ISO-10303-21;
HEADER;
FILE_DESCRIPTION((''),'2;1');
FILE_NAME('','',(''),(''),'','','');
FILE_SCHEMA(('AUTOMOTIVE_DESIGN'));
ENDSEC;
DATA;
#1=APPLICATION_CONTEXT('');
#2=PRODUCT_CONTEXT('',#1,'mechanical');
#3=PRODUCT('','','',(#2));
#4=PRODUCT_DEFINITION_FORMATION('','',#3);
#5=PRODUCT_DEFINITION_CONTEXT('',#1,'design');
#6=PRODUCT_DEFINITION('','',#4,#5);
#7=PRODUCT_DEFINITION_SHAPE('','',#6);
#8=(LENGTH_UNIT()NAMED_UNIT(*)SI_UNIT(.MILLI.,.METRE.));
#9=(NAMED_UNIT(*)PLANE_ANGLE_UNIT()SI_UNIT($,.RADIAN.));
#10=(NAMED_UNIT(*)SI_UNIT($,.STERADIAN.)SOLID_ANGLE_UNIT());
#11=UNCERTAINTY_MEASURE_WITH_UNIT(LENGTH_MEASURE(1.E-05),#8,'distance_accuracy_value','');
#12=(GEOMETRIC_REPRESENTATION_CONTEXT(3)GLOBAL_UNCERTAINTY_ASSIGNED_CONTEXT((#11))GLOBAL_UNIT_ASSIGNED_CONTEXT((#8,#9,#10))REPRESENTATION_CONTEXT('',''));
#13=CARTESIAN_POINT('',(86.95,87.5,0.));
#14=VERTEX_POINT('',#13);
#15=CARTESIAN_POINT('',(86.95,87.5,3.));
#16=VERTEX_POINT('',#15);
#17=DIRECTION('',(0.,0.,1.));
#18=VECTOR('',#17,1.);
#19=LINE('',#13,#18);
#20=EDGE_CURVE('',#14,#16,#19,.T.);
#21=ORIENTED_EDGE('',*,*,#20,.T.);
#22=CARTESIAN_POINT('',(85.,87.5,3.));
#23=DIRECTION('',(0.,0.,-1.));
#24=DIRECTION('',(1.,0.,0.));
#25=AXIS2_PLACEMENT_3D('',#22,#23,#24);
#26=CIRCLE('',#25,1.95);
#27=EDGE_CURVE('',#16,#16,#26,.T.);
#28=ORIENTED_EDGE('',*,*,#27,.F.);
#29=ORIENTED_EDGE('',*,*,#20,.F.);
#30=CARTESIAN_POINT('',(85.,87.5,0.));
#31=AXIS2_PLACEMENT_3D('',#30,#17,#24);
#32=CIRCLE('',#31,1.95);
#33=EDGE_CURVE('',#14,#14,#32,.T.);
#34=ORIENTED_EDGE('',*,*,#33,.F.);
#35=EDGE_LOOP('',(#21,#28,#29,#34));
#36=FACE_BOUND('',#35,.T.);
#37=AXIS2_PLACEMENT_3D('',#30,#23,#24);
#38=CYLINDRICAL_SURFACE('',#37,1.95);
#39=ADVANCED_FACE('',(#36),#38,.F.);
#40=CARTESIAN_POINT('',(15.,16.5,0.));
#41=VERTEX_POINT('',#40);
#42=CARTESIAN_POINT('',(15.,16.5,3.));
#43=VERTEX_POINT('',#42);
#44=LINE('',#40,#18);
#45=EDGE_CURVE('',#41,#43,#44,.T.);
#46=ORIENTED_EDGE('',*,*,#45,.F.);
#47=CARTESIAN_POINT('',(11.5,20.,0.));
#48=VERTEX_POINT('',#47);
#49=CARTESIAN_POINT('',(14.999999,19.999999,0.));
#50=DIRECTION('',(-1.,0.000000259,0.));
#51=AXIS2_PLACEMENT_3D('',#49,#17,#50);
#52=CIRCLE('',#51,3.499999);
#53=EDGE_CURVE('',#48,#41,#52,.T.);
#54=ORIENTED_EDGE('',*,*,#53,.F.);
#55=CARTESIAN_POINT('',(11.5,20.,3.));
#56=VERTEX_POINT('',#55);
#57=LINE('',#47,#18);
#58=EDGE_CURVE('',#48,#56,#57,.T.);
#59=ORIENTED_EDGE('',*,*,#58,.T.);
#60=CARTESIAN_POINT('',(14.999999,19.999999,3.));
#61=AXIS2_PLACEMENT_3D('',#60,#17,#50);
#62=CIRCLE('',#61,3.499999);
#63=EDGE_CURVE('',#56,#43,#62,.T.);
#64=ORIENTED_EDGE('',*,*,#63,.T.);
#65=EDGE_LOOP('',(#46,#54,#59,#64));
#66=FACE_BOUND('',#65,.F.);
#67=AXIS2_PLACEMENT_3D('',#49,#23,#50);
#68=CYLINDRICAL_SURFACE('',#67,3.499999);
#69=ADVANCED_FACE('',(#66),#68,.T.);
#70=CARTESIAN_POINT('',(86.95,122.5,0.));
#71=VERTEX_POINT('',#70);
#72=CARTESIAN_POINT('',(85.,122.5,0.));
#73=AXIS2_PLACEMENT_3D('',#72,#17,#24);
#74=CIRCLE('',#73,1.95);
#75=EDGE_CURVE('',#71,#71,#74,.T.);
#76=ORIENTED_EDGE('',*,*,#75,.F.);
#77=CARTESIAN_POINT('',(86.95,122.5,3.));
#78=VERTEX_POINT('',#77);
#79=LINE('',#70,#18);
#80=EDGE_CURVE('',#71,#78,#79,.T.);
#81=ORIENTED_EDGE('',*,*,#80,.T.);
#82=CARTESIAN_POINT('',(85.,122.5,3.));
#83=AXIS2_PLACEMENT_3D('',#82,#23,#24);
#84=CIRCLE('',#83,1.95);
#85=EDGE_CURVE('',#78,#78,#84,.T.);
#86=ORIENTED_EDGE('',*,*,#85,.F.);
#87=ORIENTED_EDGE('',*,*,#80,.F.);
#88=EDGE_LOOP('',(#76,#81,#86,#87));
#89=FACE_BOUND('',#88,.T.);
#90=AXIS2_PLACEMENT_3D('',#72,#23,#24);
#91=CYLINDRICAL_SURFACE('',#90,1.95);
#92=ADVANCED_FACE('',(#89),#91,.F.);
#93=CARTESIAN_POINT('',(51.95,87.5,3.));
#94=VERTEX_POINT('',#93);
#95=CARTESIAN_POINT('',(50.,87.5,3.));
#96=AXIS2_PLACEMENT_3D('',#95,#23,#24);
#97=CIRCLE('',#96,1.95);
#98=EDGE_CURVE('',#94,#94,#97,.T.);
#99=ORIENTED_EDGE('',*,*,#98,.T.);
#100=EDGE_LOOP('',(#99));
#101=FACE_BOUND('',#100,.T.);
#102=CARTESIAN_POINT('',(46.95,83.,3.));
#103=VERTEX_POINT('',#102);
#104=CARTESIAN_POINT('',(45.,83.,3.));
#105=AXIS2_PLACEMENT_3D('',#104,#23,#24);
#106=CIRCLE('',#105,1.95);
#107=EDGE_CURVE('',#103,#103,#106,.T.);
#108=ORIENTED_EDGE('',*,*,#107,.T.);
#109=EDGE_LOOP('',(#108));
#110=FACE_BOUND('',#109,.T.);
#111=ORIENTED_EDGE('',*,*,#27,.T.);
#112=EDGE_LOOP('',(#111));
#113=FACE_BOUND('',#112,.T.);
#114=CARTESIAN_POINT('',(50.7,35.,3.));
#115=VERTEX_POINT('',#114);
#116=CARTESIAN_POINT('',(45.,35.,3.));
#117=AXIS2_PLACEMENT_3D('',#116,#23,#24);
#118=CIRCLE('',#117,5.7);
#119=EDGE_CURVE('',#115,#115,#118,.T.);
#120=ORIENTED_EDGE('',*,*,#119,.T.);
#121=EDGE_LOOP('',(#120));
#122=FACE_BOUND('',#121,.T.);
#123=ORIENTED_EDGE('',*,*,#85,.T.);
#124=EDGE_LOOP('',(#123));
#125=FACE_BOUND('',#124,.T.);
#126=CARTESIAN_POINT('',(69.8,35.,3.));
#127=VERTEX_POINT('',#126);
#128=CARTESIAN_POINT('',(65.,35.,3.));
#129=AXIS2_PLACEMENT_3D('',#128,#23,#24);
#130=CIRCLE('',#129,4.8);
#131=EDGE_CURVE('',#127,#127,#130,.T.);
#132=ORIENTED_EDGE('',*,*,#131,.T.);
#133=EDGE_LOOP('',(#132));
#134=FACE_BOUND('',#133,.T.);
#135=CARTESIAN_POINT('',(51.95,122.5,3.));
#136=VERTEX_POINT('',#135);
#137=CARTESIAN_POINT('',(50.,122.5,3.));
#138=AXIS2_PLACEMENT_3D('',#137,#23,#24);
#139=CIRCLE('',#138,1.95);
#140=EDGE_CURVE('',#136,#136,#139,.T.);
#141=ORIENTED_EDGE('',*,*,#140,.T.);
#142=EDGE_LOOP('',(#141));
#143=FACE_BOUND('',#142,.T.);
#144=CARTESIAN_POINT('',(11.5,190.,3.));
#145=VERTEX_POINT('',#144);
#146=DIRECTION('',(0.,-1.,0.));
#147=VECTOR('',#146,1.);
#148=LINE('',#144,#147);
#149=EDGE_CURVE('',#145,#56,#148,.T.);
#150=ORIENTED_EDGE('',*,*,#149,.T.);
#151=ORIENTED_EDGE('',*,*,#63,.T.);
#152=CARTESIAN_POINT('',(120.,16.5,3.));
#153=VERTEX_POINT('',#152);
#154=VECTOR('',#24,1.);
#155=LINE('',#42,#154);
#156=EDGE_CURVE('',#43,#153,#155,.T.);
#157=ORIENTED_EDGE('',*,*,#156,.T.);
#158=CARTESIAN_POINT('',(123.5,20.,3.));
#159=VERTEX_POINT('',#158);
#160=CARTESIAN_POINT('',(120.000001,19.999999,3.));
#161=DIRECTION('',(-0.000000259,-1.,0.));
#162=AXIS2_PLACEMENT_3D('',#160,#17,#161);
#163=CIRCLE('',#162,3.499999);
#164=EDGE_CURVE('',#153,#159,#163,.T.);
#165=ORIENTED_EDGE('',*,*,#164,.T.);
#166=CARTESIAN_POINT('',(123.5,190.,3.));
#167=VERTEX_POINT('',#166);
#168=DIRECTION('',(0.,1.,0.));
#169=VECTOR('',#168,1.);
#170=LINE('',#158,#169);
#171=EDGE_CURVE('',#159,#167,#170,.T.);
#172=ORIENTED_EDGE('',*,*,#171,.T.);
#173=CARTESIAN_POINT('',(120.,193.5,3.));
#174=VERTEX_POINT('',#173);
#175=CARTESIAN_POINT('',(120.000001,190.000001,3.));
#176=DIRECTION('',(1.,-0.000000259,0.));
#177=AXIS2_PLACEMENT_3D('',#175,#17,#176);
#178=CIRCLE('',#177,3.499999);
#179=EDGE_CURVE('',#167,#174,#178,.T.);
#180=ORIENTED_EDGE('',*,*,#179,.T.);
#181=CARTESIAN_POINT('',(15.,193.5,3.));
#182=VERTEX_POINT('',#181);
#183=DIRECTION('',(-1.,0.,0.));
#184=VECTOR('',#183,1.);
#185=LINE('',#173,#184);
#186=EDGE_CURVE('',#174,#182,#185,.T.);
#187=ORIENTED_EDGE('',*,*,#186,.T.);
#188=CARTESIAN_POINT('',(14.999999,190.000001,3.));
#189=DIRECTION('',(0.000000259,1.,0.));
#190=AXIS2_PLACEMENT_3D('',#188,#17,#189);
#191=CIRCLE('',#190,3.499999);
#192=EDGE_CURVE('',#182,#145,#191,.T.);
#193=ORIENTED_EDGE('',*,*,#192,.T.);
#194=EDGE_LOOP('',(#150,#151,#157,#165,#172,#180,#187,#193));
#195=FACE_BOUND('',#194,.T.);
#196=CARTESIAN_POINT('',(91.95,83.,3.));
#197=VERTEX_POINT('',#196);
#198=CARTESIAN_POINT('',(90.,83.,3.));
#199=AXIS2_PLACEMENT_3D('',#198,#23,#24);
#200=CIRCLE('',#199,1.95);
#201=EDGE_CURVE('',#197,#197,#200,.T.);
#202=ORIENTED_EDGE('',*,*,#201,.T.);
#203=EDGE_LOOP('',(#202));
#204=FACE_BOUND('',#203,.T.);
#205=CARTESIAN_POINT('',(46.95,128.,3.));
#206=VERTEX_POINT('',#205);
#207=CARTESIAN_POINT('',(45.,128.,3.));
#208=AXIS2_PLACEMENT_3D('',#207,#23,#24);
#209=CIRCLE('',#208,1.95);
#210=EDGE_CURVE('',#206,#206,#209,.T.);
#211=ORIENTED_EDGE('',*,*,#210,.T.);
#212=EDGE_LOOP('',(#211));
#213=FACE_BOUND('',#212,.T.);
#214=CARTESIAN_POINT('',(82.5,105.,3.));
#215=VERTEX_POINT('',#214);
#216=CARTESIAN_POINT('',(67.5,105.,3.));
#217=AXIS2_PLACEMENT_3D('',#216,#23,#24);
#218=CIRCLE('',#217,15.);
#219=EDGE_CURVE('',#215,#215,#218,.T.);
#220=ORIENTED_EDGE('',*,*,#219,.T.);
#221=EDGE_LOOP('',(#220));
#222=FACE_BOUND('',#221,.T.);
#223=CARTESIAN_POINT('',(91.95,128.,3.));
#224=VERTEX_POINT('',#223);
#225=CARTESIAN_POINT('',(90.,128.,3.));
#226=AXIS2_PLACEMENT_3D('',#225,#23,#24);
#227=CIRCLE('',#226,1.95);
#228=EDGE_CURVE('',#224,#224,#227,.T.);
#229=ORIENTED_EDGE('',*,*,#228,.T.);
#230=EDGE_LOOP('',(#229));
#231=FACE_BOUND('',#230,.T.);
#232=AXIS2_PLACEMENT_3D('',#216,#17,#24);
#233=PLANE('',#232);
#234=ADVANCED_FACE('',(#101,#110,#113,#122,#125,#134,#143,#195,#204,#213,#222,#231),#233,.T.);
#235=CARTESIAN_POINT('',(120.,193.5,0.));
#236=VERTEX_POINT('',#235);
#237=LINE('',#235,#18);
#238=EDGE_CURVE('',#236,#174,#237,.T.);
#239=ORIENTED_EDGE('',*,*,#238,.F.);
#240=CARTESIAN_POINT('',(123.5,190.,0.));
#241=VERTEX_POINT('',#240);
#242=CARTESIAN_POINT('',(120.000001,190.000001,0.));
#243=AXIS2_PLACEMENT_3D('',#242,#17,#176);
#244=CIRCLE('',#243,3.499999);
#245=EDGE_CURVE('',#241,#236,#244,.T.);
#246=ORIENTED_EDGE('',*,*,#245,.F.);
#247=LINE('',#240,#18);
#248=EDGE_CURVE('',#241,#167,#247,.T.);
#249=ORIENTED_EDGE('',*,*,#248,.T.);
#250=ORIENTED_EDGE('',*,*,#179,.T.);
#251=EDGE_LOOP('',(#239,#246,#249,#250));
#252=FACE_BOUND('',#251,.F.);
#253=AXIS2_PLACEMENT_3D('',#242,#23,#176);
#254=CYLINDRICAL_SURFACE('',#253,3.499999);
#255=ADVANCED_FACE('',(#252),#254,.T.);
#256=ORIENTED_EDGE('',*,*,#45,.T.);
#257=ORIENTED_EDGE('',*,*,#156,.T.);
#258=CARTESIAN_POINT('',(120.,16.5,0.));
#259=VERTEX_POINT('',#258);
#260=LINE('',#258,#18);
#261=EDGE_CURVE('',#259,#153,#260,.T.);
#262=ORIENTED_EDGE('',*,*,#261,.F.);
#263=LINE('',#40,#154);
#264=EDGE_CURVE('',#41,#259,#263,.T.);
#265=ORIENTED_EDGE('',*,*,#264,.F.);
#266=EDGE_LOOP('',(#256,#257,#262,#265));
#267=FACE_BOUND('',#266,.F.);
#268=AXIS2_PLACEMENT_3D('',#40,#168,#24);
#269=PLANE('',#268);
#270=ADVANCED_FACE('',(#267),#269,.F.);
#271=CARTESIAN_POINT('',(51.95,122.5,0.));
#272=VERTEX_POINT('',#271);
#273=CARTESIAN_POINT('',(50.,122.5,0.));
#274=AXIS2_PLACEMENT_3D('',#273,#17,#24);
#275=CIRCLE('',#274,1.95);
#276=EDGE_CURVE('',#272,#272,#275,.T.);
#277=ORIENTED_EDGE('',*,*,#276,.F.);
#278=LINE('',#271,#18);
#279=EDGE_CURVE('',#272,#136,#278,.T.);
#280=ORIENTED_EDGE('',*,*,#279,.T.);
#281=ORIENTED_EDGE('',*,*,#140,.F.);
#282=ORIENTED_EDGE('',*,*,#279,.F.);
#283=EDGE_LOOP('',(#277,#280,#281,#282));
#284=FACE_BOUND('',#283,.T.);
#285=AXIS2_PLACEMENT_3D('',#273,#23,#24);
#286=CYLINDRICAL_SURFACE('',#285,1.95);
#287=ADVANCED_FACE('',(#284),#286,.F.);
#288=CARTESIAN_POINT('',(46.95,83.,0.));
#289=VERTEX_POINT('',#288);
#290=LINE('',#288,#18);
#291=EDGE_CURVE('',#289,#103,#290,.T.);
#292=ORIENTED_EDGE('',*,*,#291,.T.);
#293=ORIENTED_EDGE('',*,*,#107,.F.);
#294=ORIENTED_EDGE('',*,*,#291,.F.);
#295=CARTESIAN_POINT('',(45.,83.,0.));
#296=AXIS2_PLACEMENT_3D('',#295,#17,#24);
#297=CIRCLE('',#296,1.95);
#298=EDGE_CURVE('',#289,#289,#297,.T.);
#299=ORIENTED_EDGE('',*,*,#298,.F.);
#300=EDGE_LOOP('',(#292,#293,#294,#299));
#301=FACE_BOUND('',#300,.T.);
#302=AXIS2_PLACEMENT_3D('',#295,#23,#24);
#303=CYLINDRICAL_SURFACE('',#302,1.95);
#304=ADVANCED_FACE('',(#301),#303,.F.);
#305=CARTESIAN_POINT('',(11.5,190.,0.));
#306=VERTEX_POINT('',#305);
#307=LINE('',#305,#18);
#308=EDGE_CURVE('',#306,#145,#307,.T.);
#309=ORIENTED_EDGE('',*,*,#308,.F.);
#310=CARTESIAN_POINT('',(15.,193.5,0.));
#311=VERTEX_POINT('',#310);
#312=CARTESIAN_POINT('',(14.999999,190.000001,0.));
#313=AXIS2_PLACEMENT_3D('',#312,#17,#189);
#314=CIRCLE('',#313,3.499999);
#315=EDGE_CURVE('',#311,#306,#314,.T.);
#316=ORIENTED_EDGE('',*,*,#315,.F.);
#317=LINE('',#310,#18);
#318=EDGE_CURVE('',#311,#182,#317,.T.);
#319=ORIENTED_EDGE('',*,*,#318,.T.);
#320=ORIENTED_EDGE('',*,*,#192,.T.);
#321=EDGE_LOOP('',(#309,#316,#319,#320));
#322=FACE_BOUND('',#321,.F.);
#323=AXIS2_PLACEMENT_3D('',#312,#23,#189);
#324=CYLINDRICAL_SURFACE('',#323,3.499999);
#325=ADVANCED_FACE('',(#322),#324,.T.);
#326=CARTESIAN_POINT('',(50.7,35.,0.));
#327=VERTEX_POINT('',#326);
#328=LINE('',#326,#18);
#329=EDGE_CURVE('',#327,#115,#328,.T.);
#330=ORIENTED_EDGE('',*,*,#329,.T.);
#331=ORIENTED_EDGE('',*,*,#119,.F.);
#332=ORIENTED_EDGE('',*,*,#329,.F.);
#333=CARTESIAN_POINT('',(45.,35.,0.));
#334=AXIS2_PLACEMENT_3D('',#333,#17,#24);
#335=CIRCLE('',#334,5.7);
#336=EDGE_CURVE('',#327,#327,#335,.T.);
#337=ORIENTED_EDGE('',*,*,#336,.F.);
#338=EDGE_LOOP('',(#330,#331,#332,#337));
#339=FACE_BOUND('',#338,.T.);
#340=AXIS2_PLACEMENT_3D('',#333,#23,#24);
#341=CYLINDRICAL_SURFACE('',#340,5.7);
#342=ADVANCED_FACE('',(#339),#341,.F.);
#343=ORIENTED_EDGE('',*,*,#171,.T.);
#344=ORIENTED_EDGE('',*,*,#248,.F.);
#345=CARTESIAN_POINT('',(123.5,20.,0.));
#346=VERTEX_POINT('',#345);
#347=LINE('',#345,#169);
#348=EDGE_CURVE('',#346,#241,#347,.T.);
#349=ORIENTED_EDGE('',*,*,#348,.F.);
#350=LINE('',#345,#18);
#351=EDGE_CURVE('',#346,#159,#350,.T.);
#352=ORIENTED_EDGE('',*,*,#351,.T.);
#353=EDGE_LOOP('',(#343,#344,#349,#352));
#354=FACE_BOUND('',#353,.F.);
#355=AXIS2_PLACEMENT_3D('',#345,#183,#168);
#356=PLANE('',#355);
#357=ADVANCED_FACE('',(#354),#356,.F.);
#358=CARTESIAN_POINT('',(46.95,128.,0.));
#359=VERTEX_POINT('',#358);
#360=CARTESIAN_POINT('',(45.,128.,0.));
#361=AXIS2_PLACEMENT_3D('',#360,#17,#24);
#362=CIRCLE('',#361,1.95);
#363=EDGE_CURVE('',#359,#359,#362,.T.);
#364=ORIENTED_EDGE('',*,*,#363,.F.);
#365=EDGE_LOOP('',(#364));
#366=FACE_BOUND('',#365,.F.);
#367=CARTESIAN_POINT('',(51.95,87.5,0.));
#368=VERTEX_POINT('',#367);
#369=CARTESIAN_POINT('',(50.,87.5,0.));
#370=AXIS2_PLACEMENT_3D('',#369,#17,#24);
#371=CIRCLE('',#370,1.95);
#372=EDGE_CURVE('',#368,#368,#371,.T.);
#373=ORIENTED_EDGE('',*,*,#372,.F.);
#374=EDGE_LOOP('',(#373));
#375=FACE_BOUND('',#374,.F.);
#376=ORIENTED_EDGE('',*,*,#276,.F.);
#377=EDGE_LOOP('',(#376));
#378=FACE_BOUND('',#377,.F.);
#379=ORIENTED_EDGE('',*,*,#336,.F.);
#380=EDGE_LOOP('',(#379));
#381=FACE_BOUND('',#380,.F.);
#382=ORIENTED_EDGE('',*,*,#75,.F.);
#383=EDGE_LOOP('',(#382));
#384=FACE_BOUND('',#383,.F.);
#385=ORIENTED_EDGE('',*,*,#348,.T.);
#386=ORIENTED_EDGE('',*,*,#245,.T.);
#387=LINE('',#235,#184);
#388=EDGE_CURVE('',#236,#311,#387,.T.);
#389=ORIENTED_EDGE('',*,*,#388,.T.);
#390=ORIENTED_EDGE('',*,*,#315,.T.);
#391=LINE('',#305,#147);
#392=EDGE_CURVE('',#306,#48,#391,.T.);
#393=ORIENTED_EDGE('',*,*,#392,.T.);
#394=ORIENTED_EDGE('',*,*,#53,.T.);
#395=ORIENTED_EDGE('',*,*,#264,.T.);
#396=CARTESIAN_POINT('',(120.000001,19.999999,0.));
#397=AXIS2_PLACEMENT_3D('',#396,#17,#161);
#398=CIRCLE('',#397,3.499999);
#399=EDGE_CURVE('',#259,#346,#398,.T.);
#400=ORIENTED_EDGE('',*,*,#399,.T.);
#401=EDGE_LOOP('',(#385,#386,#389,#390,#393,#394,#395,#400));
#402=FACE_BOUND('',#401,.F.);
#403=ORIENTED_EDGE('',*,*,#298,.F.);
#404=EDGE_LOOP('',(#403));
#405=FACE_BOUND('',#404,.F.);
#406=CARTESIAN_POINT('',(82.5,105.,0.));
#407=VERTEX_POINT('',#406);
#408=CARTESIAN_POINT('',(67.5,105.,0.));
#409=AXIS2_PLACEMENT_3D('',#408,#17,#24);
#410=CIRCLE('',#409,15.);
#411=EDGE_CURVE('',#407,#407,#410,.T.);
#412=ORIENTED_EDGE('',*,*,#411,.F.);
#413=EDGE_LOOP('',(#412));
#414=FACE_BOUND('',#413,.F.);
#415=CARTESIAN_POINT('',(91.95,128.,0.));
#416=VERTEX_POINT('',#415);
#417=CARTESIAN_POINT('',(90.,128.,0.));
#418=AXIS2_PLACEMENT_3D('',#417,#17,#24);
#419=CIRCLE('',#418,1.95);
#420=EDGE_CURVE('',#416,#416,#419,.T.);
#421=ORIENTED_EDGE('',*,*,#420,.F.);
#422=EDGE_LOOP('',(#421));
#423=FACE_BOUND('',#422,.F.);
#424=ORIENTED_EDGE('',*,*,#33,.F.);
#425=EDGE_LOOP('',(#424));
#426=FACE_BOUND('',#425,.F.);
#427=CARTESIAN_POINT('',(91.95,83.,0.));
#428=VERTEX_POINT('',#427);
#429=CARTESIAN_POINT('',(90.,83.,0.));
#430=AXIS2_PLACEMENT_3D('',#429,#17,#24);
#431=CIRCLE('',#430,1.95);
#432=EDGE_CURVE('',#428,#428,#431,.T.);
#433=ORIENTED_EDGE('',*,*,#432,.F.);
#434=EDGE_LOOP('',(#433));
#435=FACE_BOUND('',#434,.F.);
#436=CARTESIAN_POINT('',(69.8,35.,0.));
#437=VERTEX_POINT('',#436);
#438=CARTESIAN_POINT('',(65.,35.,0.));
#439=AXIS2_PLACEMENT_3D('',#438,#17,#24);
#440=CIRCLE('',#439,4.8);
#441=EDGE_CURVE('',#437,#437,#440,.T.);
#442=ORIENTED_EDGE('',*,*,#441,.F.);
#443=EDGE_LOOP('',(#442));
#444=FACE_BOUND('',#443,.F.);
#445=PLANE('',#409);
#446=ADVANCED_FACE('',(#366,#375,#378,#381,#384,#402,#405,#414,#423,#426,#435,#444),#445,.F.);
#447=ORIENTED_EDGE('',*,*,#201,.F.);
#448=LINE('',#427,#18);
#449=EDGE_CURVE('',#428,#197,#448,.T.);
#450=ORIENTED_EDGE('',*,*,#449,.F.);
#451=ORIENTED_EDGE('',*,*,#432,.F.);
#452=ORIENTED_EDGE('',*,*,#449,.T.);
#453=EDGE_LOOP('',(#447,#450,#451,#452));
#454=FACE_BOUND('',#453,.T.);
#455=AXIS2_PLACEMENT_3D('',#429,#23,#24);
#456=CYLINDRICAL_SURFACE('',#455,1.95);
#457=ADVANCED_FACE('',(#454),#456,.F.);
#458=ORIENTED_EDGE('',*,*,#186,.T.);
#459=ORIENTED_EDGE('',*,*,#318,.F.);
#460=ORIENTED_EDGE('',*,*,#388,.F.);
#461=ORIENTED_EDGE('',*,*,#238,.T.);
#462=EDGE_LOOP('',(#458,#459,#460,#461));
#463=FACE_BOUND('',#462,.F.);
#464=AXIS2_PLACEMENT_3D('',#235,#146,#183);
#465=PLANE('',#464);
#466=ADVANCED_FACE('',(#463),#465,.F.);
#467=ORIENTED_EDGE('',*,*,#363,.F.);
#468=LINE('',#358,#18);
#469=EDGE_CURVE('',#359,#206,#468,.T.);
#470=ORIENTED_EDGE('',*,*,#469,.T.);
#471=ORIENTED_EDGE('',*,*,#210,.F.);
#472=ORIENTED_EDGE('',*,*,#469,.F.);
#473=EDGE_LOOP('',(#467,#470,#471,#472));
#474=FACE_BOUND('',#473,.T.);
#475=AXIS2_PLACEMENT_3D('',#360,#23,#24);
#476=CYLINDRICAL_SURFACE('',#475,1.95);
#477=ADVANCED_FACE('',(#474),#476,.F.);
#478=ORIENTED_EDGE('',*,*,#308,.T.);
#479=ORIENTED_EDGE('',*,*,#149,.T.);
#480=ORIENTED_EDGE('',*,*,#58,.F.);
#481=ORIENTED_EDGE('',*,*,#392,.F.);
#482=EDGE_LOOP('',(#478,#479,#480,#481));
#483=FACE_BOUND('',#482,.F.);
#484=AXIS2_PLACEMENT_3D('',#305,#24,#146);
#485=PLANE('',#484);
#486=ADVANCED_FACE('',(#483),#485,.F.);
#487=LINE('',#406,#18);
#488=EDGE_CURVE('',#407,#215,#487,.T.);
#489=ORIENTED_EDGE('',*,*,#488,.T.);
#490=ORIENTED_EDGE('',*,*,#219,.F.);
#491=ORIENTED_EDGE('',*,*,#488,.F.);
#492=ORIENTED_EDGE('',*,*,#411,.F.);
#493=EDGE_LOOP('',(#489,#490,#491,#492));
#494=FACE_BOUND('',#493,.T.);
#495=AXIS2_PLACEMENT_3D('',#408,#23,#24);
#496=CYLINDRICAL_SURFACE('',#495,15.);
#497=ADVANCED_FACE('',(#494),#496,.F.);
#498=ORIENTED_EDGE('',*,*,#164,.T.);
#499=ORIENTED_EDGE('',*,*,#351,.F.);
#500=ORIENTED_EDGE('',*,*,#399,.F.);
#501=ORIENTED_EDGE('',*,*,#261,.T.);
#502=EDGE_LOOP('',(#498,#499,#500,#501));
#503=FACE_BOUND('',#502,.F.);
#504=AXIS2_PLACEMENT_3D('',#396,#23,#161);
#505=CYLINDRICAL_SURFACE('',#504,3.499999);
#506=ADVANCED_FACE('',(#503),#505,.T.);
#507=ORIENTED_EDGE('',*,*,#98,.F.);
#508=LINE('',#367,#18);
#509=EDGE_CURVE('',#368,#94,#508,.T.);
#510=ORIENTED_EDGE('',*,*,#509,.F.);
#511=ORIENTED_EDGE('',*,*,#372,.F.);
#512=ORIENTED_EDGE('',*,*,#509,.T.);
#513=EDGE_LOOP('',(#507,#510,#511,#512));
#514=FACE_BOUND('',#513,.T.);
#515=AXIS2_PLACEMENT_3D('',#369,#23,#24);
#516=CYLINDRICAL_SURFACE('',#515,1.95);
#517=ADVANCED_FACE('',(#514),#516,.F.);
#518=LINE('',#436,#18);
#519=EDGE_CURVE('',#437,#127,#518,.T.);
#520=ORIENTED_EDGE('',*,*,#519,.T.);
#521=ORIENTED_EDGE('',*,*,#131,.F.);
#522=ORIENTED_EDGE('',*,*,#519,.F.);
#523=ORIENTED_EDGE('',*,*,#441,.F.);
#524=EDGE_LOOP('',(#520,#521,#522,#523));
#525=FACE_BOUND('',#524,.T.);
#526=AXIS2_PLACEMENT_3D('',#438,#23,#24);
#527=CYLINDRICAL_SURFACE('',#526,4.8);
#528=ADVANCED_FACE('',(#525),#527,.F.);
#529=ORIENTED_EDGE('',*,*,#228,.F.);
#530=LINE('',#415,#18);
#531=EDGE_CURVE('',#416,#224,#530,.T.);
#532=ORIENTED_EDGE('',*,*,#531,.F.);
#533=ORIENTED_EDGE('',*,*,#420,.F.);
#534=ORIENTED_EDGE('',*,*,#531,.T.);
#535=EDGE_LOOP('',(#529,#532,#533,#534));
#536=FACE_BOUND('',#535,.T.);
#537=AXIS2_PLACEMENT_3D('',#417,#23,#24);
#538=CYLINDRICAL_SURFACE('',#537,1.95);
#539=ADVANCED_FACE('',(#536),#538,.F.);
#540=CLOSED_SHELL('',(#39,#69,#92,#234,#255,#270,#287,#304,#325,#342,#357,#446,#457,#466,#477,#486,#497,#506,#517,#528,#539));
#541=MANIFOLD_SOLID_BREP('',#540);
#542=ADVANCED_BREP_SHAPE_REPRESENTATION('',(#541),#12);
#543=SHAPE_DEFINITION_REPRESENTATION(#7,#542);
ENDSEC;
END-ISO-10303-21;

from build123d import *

# Parameters (mm, degrees)
PAD_DEPTH     = 3
SKETCH002_R   = 1.95
HOLE_DEPTH    = 3.001
SKETCH_R      = 15
HOLE001_DEPTH = 3.001
SKETCH003_R   = 1.95
HOLE002_DEPTH = 3.001
SKETCH004_R   = 5.7
SKETCH004_R_2 = 4.8
POCKET_DEPTH  = 3.001


with BuildPart() as part:
    # Sketch001 → Pad (new body)
    with BuildSketch(Plane.XY):
        with BuildLine():
            Line((11.5, 190), (11.5, 20))
            ThreePointArc((11.5, 20), (12.525126, 17.525126), (15, 16.5))
            Line((15, 16.5), (120, 16.5))
            ThreePointArc((120, 16.5), (122.474874, 17.525126), (123.5, 20))
            Line((123.5, 20), (123.5, 190))
            ThreePointArc((123.5, 190), (122.474874, 192.474874), (120, 193.5))
            Line((120, 193.5), (15, 193.5))
            ThreePointArc((15, 193.5), (12.525126, 192.474874), (11.5, 190))
        make_face()
    extrude(amount=PAD_DEPTH)

    # Sketch002 → Hole (cut, through all)
    with BuildSketch(Plane.XY):
        with Locations((50, 87.5)):
            Circle(SKETCH002_R)
        with Locations((85, 87.5)):
            Circle(SKETCH002_R)
        with Locations((85, 122.5)):
            Circle(SKETCH002_R)
        with Locations((50, 122.5)):
            Circle(SKETCH002_R)
    extrude(amount=HOLE_DEPTH, mode=Mode.SUBTRACT)

    # Sketch → Hole001 (cut, through all)
    with BuildSketch(Plane.XY):
        with Locations((67.5, 105)):
            Circle(SKETCH_R)
    extrude(amount=HOLE001_DEPTH, mode=Mode.SUBTRACT)

    # Sketch003 → Hole002 (cut, through all)
    with BuildSketch(Plane.XY):
        with Locations((90, 83)):
            Circle(SKETCH003_R)
        with Locations((45, 83)):
            Circle(SKETCH003_R)
        with Locations((45, 128)):
            Circle(SKETCH003_R)
        with Locations((90, 128)):
            Circle(SKETCH003_R)
    extrude(amount=HOLE002_DEPTH, mode=Mode.SUBTRACT)

    # Sketch004 → Pocket (cut, through all)
    with BuildSketch(Plane.XY):
        with Locations((45, 35)):
            Circle(SKETCH004_R)
        with Locations((65, 35)):
            Circle(SKETCH004_R_2)
    extrude(amount=POCKET_DEPTH, mode=Mode.SUBTRACT)


solid = part.part
